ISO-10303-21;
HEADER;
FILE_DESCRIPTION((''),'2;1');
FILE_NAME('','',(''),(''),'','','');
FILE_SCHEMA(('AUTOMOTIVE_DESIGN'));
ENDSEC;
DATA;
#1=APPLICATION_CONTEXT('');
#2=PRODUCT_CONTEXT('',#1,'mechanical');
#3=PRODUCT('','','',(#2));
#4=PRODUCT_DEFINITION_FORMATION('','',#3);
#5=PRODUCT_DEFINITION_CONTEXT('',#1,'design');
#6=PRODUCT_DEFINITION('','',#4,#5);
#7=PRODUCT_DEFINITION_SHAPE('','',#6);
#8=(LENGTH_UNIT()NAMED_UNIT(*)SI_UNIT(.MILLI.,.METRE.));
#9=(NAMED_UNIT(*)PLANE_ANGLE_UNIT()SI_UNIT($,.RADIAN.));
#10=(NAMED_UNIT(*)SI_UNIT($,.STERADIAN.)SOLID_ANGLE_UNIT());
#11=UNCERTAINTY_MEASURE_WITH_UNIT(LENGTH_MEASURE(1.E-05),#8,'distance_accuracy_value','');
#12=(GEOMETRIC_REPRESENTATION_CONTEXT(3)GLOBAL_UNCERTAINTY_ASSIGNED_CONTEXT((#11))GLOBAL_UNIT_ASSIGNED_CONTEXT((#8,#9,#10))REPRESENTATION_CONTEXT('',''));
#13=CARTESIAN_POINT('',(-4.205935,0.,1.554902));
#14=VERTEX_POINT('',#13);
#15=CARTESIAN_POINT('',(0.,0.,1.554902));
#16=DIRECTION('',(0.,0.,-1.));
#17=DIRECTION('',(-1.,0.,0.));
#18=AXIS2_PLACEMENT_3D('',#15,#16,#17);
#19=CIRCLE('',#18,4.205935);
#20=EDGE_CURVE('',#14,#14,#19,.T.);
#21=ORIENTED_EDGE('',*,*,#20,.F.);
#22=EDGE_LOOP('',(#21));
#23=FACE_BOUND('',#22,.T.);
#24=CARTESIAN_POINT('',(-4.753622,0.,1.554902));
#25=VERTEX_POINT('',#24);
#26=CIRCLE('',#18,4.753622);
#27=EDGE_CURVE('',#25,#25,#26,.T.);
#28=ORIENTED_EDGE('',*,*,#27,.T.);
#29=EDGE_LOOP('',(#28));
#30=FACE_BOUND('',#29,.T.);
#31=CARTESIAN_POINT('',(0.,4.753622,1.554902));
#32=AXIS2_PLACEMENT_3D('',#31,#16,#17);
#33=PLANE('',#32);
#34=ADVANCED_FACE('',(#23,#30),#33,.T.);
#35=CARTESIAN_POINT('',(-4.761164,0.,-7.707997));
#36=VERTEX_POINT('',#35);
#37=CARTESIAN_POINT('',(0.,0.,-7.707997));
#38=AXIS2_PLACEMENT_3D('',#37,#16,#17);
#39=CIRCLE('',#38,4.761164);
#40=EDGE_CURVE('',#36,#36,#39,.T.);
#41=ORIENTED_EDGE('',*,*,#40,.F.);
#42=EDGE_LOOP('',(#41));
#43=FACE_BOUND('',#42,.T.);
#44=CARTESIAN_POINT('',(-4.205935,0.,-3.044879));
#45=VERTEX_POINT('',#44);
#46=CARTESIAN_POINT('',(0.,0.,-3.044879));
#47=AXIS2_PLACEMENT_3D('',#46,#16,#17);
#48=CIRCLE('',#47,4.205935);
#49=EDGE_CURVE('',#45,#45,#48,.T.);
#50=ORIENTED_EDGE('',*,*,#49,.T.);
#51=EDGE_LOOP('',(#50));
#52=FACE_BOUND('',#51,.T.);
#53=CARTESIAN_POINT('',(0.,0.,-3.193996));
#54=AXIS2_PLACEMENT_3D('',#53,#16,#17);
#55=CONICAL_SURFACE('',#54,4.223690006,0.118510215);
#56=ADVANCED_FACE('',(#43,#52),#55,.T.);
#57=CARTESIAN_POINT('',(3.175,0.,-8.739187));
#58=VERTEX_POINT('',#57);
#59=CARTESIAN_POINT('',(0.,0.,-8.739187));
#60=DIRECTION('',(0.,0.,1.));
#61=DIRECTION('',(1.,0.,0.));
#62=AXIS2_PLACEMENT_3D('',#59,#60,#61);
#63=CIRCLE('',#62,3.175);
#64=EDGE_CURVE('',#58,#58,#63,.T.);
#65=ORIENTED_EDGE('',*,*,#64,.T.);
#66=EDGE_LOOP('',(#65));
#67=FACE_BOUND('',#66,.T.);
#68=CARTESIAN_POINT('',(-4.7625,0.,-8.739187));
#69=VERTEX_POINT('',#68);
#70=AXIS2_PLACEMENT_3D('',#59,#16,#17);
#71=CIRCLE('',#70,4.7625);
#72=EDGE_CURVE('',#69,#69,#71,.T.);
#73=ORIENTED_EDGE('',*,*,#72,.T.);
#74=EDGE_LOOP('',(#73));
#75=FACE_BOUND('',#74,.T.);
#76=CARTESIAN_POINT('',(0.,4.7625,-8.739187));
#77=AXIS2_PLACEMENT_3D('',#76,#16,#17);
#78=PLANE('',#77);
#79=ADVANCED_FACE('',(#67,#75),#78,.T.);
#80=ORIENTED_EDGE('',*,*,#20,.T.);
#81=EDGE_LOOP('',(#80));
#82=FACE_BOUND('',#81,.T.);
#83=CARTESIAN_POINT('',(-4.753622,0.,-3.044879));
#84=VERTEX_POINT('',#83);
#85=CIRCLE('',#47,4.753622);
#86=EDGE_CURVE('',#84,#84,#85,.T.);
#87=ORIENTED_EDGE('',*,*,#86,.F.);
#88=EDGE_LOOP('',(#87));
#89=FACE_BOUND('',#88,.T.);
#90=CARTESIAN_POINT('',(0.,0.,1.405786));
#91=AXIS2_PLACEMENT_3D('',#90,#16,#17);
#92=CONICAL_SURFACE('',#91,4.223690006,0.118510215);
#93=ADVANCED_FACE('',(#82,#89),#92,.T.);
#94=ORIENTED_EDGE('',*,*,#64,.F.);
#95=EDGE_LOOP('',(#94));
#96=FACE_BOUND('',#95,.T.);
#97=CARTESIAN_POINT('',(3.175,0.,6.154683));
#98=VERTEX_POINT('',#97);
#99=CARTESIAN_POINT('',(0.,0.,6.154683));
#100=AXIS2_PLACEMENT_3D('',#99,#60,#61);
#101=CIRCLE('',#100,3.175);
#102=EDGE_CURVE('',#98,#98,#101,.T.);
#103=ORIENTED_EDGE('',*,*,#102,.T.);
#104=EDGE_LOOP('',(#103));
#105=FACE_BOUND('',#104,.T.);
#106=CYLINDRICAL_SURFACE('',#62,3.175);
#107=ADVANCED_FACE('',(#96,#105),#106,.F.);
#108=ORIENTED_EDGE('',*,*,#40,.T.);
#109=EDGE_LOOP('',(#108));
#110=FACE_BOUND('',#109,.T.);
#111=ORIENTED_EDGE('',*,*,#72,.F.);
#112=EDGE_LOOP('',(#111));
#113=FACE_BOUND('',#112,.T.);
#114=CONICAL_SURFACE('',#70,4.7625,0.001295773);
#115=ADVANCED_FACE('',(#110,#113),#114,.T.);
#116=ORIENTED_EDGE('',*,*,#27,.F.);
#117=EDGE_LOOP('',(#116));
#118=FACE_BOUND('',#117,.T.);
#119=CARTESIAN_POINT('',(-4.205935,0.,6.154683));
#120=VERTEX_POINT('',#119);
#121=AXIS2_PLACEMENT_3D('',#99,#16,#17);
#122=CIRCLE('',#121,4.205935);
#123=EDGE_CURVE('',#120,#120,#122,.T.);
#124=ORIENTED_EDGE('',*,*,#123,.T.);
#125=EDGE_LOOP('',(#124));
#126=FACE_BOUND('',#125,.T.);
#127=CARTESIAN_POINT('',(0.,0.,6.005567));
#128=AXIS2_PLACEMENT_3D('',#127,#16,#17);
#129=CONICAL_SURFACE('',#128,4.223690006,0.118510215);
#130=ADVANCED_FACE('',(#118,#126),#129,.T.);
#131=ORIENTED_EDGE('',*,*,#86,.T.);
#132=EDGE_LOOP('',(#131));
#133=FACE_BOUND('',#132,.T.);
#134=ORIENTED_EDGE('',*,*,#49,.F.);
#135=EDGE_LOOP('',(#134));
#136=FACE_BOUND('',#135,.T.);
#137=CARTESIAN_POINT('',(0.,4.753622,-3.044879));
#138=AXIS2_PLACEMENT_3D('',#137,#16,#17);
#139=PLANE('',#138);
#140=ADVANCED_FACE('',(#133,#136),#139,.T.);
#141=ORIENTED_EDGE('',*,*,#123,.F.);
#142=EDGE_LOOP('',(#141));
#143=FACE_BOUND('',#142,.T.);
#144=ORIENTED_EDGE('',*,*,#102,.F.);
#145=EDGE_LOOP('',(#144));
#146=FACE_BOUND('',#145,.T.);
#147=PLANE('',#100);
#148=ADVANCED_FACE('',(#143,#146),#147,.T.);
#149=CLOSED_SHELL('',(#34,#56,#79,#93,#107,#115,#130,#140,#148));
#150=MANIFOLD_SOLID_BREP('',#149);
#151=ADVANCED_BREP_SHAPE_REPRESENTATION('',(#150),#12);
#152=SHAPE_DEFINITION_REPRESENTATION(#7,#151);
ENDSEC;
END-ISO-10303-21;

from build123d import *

# Parameters (mm, degrees)
SKETCH3_R          = 3.175
CUT_EXTRUDE1_DEPTH = 15.893870686


with BuildPart() as part:
    # Sketch2 → Barbfitting(Mcmaster) (revolve)
    with BuildSketch(Plane(origin=(0, 0, 0), x_dir=(0, 0, -1), z_dir=(1, 0, 0))):
        Polygon((8.7391875, 0), (-6.154683186, 0), (-6.154683186, 4.205934994), (-6.005566814, 4.223690006), (-1.554901936, 4.753622494), (-1.554901936, 4.205934994), (-1.405785564, 4.223690006), (3.044879314, 4.753622494), (3.044879314, 4.205934994), (3.193995686, 4.223690006), (7.707996691, 4.76116381), (8.7391875, 4.7625), align=None)
    revolve(axis=Axis((0, 0, -8.7391875), (0, 0, 1)))

    # Sketch3 → Cut-Extrude1 (cut, through all)
    with BuildSketch(Plane.XY.offset(6.154683186)):
        Circle(SKETCH3_R)
    extrude(amount=-CUT_EXTRUDE1_DEPTH, mode=Mode.SUBTRACT)


solid = part.part
